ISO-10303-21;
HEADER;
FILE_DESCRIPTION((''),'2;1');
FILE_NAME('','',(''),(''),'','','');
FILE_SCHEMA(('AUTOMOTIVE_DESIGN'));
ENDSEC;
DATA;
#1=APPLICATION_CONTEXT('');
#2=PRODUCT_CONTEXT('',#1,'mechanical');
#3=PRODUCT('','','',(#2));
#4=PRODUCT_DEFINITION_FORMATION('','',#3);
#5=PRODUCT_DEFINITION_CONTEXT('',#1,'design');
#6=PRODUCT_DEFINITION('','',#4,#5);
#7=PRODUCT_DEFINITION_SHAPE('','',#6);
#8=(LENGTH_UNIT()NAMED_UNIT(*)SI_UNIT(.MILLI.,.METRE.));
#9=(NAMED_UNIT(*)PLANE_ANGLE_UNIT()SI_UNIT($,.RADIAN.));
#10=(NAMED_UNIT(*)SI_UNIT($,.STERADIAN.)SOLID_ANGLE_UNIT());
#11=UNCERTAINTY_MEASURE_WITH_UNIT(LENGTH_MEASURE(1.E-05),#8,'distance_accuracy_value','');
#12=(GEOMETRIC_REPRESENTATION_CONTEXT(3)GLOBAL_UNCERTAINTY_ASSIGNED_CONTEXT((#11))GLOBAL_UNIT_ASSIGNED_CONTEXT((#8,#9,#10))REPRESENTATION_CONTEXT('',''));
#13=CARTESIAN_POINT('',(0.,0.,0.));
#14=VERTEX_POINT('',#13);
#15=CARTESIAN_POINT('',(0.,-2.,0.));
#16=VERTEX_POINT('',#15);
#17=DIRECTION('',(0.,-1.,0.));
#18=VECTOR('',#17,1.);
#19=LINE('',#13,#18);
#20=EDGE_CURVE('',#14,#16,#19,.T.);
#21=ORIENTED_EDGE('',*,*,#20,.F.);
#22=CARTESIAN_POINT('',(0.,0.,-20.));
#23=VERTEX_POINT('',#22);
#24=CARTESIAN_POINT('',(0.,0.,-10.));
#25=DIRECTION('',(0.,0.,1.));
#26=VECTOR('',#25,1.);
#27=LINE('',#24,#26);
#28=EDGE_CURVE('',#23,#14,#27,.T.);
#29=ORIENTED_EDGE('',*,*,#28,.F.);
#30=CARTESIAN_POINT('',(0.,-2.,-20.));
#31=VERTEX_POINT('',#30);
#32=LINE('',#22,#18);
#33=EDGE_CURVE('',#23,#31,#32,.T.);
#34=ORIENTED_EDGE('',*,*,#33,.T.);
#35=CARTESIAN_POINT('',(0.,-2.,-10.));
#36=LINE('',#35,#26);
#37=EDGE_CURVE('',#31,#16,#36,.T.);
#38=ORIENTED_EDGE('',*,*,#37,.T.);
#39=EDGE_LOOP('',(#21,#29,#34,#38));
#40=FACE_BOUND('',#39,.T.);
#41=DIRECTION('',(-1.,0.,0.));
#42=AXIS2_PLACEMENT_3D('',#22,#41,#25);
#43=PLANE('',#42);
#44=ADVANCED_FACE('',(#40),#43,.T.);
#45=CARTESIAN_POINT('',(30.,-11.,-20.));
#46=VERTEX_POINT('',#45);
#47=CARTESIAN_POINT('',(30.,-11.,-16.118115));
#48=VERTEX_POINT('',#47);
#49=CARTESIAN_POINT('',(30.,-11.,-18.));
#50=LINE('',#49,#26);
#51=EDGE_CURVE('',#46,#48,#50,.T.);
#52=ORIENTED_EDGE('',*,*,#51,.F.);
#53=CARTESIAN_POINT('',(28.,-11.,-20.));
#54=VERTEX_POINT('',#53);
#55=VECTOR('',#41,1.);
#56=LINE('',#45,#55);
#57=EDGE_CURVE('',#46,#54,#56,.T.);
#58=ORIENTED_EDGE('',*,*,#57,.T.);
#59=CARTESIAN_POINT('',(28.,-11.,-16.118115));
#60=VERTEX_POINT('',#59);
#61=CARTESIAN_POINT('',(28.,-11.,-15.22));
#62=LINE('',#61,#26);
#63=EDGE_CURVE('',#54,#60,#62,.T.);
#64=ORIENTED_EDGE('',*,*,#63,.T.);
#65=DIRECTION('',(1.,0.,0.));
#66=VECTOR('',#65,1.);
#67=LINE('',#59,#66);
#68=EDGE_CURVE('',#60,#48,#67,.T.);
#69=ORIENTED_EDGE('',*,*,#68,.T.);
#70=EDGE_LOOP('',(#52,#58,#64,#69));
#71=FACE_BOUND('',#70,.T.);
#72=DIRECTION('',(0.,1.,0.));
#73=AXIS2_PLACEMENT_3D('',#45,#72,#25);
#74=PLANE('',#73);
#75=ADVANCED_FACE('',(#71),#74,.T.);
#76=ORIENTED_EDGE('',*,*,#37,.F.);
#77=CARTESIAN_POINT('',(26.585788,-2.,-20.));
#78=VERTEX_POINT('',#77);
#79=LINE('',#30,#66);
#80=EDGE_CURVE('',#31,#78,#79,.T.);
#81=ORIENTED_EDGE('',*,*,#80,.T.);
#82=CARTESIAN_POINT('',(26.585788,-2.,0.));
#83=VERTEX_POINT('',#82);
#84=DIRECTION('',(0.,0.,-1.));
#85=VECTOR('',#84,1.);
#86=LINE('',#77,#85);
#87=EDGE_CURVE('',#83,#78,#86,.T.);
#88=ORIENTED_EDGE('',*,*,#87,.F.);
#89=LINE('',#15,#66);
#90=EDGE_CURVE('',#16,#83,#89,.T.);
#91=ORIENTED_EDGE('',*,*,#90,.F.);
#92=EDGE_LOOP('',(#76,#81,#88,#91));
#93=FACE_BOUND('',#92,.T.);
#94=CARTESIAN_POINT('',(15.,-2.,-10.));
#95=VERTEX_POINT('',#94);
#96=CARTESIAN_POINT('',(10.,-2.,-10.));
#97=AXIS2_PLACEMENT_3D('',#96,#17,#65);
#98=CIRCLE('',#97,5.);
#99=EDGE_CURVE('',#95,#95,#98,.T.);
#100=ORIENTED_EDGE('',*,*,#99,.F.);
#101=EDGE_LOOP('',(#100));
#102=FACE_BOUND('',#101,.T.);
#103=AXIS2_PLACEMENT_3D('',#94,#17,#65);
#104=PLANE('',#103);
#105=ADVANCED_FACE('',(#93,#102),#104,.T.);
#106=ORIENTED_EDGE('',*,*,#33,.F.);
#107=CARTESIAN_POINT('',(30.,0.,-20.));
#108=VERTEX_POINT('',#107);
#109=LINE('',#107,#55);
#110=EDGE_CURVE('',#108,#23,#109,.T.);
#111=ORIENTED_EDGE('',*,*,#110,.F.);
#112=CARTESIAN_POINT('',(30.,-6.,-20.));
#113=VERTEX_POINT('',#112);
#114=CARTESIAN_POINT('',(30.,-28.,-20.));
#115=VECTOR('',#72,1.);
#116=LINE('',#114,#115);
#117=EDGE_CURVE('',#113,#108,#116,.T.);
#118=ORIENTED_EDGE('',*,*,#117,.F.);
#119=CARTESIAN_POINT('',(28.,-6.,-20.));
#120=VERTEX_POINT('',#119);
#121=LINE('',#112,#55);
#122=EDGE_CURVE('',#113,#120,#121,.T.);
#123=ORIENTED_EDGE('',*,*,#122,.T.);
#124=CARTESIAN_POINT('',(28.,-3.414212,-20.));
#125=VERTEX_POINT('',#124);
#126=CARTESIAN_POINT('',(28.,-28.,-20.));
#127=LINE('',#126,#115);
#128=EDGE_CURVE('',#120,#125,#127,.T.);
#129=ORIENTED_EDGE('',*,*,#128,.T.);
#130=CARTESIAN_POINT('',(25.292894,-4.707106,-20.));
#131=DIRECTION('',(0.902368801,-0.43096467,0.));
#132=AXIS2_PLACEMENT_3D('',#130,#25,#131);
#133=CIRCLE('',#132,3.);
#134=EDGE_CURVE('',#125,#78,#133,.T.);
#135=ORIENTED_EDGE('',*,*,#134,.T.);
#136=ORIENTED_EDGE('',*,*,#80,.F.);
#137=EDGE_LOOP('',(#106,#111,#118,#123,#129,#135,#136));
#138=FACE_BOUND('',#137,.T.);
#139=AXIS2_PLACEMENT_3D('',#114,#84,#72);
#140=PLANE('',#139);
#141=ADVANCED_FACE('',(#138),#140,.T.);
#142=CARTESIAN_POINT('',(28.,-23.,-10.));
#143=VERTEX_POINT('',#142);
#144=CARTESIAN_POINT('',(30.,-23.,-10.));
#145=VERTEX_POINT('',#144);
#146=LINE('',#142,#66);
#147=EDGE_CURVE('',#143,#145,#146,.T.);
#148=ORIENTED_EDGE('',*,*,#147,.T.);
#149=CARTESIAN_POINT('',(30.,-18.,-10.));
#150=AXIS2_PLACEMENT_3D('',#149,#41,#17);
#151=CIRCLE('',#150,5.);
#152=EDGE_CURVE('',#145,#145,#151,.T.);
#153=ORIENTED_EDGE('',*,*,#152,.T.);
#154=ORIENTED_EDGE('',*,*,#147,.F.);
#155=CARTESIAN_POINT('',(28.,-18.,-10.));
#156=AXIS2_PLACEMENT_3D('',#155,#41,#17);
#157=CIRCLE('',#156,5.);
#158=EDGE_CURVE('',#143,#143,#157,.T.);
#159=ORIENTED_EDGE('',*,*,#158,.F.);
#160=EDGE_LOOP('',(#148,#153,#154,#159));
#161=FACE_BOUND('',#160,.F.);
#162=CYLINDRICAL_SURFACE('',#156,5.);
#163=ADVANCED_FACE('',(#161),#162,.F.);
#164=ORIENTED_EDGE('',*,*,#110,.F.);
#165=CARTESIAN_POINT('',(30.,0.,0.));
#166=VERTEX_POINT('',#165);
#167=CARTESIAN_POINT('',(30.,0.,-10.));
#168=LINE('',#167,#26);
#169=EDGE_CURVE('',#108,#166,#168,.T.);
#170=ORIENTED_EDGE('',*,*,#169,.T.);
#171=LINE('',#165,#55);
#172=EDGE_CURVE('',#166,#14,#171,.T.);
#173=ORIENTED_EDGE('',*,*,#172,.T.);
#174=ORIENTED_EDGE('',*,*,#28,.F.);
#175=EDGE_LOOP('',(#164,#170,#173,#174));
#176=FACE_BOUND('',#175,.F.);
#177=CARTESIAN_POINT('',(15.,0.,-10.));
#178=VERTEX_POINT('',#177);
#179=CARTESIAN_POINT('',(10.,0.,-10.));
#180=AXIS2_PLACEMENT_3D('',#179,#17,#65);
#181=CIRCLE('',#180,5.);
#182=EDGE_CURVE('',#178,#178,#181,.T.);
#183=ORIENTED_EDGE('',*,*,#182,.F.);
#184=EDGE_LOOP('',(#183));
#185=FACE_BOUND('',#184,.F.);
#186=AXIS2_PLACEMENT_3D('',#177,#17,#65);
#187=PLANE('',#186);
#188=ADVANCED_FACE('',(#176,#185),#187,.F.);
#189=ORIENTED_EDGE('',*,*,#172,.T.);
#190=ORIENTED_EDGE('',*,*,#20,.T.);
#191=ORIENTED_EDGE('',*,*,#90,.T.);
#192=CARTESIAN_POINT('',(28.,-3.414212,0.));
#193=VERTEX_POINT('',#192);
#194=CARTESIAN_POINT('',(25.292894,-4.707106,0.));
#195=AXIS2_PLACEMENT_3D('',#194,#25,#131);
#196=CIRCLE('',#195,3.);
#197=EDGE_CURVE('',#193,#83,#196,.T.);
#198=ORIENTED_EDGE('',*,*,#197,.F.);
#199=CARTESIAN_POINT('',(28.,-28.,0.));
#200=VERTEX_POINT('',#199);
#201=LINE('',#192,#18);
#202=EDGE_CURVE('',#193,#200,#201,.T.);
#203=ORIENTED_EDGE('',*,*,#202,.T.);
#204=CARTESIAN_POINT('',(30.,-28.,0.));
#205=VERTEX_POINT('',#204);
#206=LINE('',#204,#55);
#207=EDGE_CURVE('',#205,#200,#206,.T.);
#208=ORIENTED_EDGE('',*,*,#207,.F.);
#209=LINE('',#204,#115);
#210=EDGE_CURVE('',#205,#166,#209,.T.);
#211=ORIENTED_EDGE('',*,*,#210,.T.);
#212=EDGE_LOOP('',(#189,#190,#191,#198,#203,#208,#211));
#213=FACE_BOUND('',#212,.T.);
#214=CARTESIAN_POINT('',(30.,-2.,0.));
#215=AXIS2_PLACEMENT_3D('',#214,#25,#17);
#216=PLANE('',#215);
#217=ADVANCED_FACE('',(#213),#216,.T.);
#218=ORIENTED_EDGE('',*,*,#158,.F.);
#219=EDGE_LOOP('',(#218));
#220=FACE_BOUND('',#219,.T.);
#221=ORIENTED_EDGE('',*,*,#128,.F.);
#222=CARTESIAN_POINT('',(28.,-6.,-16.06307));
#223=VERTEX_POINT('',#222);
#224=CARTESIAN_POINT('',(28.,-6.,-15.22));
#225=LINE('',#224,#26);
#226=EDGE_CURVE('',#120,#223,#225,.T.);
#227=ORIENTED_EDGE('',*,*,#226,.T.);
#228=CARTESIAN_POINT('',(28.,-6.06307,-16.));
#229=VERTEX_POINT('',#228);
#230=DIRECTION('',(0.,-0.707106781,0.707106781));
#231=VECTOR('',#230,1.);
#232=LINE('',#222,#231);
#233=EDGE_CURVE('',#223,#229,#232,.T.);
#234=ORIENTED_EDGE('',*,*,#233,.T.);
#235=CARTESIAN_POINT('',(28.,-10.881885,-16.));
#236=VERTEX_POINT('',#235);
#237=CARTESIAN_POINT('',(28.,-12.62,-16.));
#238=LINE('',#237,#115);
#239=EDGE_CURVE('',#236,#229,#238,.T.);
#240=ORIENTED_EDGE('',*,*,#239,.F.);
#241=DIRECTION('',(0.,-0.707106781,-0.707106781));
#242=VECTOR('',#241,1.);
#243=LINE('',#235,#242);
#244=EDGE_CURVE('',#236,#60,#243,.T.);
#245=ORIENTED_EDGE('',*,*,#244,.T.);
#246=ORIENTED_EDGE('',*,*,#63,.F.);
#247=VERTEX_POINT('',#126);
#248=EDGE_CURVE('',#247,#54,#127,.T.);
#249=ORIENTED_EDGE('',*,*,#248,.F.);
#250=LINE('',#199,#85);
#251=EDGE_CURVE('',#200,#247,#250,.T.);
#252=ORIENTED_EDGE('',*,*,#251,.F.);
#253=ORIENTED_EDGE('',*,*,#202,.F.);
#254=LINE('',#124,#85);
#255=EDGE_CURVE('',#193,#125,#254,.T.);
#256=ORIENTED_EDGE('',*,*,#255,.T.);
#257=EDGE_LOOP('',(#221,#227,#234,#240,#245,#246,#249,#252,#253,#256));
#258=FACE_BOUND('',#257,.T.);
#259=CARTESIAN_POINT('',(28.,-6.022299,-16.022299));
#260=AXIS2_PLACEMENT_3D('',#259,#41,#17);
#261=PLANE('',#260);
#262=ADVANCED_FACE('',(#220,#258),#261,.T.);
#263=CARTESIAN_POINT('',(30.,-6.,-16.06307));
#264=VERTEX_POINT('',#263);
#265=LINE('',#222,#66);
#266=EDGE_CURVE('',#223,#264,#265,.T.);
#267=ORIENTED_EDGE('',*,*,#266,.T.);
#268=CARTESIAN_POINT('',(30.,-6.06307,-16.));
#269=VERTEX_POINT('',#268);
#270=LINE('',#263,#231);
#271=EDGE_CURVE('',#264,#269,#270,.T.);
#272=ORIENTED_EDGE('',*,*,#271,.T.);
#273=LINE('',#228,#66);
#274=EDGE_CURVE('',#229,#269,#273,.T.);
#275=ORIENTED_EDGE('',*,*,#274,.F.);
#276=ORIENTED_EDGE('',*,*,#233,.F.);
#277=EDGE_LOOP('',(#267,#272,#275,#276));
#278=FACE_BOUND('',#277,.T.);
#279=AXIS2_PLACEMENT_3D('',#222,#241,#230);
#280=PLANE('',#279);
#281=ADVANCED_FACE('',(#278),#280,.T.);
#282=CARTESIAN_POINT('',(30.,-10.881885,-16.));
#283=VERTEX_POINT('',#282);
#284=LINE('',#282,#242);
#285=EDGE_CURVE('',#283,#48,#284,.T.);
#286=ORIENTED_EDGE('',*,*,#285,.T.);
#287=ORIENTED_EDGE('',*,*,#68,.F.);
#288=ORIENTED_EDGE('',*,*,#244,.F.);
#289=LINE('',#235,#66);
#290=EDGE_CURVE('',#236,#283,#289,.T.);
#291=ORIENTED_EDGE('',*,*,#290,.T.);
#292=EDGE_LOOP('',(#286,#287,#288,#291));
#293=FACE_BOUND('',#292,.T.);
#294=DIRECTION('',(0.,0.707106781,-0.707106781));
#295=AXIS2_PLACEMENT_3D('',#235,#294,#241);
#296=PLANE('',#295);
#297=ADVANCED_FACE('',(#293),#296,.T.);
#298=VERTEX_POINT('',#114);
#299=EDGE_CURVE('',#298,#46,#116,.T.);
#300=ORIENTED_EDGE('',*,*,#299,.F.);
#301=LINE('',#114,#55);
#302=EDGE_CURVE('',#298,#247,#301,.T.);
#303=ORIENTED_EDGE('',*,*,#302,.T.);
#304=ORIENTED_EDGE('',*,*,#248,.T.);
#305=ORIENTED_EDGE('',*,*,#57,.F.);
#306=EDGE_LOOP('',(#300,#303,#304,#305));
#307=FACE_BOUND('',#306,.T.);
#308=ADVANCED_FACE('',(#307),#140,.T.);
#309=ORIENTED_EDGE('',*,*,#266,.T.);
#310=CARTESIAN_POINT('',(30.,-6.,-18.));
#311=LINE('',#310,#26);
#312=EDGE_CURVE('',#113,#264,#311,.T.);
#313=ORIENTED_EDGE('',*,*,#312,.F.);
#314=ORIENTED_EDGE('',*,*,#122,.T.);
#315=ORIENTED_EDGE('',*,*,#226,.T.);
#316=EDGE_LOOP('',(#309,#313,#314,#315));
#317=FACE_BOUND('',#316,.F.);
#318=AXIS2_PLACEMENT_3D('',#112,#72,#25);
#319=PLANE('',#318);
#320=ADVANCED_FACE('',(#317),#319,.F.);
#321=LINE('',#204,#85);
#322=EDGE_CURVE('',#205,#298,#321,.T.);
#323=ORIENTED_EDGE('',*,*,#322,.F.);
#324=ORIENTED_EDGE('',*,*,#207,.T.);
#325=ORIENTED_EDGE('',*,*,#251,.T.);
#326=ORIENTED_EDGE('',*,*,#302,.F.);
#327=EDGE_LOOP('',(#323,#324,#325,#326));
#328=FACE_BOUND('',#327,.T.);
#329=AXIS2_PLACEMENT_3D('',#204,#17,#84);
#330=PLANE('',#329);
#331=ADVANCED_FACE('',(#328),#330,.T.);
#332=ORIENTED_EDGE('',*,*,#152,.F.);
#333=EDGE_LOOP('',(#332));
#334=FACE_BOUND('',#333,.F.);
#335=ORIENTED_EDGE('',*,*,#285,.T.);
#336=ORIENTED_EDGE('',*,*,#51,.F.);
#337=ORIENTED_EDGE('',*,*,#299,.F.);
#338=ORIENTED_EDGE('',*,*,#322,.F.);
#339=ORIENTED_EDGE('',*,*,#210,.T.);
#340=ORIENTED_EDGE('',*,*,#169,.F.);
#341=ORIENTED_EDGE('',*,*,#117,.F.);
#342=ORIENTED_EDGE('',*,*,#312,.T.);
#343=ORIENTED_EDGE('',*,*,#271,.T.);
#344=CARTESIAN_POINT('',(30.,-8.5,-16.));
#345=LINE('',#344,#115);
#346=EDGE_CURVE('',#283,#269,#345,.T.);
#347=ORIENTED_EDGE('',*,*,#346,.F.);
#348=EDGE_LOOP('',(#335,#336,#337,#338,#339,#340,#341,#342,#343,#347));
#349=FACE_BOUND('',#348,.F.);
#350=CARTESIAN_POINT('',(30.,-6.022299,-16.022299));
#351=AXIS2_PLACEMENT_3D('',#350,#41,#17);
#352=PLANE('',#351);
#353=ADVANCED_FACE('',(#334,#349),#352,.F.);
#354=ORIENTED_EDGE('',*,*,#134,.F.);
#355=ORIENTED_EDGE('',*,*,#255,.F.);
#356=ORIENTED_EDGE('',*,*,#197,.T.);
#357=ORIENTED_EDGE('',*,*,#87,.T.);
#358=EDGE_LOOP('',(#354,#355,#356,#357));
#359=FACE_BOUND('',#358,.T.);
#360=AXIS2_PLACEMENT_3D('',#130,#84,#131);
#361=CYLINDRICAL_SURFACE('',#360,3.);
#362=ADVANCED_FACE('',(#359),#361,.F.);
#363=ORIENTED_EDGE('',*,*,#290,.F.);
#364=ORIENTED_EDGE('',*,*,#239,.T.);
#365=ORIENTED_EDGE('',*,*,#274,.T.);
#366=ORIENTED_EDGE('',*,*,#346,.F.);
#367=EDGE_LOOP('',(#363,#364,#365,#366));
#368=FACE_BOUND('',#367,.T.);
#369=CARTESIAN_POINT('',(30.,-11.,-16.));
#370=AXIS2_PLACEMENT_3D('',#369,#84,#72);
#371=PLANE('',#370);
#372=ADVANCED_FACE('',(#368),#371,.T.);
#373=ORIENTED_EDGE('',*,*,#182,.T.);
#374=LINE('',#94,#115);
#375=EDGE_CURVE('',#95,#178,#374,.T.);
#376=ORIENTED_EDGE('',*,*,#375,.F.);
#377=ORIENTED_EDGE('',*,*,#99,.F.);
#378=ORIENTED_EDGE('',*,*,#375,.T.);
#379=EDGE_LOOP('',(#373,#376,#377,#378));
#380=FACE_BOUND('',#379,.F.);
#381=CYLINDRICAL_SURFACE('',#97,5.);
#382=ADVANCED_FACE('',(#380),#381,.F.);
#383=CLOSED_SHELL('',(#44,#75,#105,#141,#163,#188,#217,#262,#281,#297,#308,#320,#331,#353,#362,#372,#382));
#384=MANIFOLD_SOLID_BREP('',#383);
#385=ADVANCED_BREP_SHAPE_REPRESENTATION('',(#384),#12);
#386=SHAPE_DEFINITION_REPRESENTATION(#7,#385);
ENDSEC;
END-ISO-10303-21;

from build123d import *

# Parameters (mm, degrees)
F0_W      = 30
F0_H      = 20
F1_DEPTH  = 2
F2_R      = 5
F3_DEPTH  = 25
F4_W      = 5
F4_H      = 4
F5_DEPTH  = 2
F6_W      = 5
F6_H      = 4
F7_DEPTH  = 25
F8_R      = 5
F9_DEPTH  = 25
F11_DEPTH = 20
F13_DEPTH = 2
F15_DEPTH = 2


with BuildPart() as f1:
    # F0 (on Front) → F1 (new body)
    with BuildSketch(Plane.XZ):
        with Locations((15, -10)):
            Rectangle(F0_W, F0_H)
    extrude(amount=F1_DEPTH)

    # F2 (on face) → F3 (cut)
    with BuildSketch(Plane.XZ.offset(2)):
        with Locations((10, -10)):
            Circle(F2_R)
    extrude(amount=-F3_DEPTH, mode=Mode.SUBTRACT)

    # F4 (on face) → F5 (join)
    with BuildSketch(Plane.YZ.offset(30)):
        Polygon((-3, -20), (-2, -20), (-2, 0), (-28, 0), (-28, -20), (-8, -20), (-8, -16), (-3, -16), align=None)
        with Locations((-5.5, -18)):
            Rectangle(F4_W, F4_H)
    extrude(amount=-F5_DEPTH)

    # F6 (on face) → F7 (cut)
    with BuildSketch(Plane.YZ.offset(30)):
        with Locations((-8.5, -18)):
            Rectangle(F6_W, F6_H)
    extrude(amount=-F7_DEPTH, mode=Mode.SUBTRACT)

    # F8 (on face) → F9 (cut)
    with BuildSketch(Plane(origin=(28, 0, 0), x_dir=(0, -1, 0), z_dir=(-1, 0, 0))):
        with Locations((18, -10)):
            Circle(F8_R)
    extrude(amount=-F9_DEPTH, mode=Mode.SUBTRACT)

    # F10 (on face) → F11 (join)
    with BuildSketch(Plane(origin=(0, 0, -20), x_dir=(1, 0, 0), z_dir=(0, 0, -1))):
        with BuildLine():
            ThreePointArc((28, 6), (27.414214, 2.585786), (24, 2))
            Line((24, 2), (24, 0))
            Line((24, 0), (30, 0))
            Line((30, 0), (30, 6))
            Line((30, 6), (28, 6))
        make_face()
    extrude(amount=-F11_DEPTH)

    # F12 (on face) → F13 (join)
    with BuildSketch(Plane(origin=(28, 0, 0), x_dir=(0, -1, 0), z_dir=(-1, 0, 0))):
        Polygon((11, -16), (10.881885, -16), (11, -16.118115), align=None)
    extrude(amount=-F13_DEPTH)

    # F14 (on face) → F15 (join)
    with BuildSketch(Plane(origin=(28, 0, 0), x_dir=(0, -1, 0), z_dir=(-1, 0, 0))):
        Polygon((6.06307, -16), (6, -16), (6, -16.06307), align=None)
    extrude(amount=-F15_DEPTH)


solid = f1.part
